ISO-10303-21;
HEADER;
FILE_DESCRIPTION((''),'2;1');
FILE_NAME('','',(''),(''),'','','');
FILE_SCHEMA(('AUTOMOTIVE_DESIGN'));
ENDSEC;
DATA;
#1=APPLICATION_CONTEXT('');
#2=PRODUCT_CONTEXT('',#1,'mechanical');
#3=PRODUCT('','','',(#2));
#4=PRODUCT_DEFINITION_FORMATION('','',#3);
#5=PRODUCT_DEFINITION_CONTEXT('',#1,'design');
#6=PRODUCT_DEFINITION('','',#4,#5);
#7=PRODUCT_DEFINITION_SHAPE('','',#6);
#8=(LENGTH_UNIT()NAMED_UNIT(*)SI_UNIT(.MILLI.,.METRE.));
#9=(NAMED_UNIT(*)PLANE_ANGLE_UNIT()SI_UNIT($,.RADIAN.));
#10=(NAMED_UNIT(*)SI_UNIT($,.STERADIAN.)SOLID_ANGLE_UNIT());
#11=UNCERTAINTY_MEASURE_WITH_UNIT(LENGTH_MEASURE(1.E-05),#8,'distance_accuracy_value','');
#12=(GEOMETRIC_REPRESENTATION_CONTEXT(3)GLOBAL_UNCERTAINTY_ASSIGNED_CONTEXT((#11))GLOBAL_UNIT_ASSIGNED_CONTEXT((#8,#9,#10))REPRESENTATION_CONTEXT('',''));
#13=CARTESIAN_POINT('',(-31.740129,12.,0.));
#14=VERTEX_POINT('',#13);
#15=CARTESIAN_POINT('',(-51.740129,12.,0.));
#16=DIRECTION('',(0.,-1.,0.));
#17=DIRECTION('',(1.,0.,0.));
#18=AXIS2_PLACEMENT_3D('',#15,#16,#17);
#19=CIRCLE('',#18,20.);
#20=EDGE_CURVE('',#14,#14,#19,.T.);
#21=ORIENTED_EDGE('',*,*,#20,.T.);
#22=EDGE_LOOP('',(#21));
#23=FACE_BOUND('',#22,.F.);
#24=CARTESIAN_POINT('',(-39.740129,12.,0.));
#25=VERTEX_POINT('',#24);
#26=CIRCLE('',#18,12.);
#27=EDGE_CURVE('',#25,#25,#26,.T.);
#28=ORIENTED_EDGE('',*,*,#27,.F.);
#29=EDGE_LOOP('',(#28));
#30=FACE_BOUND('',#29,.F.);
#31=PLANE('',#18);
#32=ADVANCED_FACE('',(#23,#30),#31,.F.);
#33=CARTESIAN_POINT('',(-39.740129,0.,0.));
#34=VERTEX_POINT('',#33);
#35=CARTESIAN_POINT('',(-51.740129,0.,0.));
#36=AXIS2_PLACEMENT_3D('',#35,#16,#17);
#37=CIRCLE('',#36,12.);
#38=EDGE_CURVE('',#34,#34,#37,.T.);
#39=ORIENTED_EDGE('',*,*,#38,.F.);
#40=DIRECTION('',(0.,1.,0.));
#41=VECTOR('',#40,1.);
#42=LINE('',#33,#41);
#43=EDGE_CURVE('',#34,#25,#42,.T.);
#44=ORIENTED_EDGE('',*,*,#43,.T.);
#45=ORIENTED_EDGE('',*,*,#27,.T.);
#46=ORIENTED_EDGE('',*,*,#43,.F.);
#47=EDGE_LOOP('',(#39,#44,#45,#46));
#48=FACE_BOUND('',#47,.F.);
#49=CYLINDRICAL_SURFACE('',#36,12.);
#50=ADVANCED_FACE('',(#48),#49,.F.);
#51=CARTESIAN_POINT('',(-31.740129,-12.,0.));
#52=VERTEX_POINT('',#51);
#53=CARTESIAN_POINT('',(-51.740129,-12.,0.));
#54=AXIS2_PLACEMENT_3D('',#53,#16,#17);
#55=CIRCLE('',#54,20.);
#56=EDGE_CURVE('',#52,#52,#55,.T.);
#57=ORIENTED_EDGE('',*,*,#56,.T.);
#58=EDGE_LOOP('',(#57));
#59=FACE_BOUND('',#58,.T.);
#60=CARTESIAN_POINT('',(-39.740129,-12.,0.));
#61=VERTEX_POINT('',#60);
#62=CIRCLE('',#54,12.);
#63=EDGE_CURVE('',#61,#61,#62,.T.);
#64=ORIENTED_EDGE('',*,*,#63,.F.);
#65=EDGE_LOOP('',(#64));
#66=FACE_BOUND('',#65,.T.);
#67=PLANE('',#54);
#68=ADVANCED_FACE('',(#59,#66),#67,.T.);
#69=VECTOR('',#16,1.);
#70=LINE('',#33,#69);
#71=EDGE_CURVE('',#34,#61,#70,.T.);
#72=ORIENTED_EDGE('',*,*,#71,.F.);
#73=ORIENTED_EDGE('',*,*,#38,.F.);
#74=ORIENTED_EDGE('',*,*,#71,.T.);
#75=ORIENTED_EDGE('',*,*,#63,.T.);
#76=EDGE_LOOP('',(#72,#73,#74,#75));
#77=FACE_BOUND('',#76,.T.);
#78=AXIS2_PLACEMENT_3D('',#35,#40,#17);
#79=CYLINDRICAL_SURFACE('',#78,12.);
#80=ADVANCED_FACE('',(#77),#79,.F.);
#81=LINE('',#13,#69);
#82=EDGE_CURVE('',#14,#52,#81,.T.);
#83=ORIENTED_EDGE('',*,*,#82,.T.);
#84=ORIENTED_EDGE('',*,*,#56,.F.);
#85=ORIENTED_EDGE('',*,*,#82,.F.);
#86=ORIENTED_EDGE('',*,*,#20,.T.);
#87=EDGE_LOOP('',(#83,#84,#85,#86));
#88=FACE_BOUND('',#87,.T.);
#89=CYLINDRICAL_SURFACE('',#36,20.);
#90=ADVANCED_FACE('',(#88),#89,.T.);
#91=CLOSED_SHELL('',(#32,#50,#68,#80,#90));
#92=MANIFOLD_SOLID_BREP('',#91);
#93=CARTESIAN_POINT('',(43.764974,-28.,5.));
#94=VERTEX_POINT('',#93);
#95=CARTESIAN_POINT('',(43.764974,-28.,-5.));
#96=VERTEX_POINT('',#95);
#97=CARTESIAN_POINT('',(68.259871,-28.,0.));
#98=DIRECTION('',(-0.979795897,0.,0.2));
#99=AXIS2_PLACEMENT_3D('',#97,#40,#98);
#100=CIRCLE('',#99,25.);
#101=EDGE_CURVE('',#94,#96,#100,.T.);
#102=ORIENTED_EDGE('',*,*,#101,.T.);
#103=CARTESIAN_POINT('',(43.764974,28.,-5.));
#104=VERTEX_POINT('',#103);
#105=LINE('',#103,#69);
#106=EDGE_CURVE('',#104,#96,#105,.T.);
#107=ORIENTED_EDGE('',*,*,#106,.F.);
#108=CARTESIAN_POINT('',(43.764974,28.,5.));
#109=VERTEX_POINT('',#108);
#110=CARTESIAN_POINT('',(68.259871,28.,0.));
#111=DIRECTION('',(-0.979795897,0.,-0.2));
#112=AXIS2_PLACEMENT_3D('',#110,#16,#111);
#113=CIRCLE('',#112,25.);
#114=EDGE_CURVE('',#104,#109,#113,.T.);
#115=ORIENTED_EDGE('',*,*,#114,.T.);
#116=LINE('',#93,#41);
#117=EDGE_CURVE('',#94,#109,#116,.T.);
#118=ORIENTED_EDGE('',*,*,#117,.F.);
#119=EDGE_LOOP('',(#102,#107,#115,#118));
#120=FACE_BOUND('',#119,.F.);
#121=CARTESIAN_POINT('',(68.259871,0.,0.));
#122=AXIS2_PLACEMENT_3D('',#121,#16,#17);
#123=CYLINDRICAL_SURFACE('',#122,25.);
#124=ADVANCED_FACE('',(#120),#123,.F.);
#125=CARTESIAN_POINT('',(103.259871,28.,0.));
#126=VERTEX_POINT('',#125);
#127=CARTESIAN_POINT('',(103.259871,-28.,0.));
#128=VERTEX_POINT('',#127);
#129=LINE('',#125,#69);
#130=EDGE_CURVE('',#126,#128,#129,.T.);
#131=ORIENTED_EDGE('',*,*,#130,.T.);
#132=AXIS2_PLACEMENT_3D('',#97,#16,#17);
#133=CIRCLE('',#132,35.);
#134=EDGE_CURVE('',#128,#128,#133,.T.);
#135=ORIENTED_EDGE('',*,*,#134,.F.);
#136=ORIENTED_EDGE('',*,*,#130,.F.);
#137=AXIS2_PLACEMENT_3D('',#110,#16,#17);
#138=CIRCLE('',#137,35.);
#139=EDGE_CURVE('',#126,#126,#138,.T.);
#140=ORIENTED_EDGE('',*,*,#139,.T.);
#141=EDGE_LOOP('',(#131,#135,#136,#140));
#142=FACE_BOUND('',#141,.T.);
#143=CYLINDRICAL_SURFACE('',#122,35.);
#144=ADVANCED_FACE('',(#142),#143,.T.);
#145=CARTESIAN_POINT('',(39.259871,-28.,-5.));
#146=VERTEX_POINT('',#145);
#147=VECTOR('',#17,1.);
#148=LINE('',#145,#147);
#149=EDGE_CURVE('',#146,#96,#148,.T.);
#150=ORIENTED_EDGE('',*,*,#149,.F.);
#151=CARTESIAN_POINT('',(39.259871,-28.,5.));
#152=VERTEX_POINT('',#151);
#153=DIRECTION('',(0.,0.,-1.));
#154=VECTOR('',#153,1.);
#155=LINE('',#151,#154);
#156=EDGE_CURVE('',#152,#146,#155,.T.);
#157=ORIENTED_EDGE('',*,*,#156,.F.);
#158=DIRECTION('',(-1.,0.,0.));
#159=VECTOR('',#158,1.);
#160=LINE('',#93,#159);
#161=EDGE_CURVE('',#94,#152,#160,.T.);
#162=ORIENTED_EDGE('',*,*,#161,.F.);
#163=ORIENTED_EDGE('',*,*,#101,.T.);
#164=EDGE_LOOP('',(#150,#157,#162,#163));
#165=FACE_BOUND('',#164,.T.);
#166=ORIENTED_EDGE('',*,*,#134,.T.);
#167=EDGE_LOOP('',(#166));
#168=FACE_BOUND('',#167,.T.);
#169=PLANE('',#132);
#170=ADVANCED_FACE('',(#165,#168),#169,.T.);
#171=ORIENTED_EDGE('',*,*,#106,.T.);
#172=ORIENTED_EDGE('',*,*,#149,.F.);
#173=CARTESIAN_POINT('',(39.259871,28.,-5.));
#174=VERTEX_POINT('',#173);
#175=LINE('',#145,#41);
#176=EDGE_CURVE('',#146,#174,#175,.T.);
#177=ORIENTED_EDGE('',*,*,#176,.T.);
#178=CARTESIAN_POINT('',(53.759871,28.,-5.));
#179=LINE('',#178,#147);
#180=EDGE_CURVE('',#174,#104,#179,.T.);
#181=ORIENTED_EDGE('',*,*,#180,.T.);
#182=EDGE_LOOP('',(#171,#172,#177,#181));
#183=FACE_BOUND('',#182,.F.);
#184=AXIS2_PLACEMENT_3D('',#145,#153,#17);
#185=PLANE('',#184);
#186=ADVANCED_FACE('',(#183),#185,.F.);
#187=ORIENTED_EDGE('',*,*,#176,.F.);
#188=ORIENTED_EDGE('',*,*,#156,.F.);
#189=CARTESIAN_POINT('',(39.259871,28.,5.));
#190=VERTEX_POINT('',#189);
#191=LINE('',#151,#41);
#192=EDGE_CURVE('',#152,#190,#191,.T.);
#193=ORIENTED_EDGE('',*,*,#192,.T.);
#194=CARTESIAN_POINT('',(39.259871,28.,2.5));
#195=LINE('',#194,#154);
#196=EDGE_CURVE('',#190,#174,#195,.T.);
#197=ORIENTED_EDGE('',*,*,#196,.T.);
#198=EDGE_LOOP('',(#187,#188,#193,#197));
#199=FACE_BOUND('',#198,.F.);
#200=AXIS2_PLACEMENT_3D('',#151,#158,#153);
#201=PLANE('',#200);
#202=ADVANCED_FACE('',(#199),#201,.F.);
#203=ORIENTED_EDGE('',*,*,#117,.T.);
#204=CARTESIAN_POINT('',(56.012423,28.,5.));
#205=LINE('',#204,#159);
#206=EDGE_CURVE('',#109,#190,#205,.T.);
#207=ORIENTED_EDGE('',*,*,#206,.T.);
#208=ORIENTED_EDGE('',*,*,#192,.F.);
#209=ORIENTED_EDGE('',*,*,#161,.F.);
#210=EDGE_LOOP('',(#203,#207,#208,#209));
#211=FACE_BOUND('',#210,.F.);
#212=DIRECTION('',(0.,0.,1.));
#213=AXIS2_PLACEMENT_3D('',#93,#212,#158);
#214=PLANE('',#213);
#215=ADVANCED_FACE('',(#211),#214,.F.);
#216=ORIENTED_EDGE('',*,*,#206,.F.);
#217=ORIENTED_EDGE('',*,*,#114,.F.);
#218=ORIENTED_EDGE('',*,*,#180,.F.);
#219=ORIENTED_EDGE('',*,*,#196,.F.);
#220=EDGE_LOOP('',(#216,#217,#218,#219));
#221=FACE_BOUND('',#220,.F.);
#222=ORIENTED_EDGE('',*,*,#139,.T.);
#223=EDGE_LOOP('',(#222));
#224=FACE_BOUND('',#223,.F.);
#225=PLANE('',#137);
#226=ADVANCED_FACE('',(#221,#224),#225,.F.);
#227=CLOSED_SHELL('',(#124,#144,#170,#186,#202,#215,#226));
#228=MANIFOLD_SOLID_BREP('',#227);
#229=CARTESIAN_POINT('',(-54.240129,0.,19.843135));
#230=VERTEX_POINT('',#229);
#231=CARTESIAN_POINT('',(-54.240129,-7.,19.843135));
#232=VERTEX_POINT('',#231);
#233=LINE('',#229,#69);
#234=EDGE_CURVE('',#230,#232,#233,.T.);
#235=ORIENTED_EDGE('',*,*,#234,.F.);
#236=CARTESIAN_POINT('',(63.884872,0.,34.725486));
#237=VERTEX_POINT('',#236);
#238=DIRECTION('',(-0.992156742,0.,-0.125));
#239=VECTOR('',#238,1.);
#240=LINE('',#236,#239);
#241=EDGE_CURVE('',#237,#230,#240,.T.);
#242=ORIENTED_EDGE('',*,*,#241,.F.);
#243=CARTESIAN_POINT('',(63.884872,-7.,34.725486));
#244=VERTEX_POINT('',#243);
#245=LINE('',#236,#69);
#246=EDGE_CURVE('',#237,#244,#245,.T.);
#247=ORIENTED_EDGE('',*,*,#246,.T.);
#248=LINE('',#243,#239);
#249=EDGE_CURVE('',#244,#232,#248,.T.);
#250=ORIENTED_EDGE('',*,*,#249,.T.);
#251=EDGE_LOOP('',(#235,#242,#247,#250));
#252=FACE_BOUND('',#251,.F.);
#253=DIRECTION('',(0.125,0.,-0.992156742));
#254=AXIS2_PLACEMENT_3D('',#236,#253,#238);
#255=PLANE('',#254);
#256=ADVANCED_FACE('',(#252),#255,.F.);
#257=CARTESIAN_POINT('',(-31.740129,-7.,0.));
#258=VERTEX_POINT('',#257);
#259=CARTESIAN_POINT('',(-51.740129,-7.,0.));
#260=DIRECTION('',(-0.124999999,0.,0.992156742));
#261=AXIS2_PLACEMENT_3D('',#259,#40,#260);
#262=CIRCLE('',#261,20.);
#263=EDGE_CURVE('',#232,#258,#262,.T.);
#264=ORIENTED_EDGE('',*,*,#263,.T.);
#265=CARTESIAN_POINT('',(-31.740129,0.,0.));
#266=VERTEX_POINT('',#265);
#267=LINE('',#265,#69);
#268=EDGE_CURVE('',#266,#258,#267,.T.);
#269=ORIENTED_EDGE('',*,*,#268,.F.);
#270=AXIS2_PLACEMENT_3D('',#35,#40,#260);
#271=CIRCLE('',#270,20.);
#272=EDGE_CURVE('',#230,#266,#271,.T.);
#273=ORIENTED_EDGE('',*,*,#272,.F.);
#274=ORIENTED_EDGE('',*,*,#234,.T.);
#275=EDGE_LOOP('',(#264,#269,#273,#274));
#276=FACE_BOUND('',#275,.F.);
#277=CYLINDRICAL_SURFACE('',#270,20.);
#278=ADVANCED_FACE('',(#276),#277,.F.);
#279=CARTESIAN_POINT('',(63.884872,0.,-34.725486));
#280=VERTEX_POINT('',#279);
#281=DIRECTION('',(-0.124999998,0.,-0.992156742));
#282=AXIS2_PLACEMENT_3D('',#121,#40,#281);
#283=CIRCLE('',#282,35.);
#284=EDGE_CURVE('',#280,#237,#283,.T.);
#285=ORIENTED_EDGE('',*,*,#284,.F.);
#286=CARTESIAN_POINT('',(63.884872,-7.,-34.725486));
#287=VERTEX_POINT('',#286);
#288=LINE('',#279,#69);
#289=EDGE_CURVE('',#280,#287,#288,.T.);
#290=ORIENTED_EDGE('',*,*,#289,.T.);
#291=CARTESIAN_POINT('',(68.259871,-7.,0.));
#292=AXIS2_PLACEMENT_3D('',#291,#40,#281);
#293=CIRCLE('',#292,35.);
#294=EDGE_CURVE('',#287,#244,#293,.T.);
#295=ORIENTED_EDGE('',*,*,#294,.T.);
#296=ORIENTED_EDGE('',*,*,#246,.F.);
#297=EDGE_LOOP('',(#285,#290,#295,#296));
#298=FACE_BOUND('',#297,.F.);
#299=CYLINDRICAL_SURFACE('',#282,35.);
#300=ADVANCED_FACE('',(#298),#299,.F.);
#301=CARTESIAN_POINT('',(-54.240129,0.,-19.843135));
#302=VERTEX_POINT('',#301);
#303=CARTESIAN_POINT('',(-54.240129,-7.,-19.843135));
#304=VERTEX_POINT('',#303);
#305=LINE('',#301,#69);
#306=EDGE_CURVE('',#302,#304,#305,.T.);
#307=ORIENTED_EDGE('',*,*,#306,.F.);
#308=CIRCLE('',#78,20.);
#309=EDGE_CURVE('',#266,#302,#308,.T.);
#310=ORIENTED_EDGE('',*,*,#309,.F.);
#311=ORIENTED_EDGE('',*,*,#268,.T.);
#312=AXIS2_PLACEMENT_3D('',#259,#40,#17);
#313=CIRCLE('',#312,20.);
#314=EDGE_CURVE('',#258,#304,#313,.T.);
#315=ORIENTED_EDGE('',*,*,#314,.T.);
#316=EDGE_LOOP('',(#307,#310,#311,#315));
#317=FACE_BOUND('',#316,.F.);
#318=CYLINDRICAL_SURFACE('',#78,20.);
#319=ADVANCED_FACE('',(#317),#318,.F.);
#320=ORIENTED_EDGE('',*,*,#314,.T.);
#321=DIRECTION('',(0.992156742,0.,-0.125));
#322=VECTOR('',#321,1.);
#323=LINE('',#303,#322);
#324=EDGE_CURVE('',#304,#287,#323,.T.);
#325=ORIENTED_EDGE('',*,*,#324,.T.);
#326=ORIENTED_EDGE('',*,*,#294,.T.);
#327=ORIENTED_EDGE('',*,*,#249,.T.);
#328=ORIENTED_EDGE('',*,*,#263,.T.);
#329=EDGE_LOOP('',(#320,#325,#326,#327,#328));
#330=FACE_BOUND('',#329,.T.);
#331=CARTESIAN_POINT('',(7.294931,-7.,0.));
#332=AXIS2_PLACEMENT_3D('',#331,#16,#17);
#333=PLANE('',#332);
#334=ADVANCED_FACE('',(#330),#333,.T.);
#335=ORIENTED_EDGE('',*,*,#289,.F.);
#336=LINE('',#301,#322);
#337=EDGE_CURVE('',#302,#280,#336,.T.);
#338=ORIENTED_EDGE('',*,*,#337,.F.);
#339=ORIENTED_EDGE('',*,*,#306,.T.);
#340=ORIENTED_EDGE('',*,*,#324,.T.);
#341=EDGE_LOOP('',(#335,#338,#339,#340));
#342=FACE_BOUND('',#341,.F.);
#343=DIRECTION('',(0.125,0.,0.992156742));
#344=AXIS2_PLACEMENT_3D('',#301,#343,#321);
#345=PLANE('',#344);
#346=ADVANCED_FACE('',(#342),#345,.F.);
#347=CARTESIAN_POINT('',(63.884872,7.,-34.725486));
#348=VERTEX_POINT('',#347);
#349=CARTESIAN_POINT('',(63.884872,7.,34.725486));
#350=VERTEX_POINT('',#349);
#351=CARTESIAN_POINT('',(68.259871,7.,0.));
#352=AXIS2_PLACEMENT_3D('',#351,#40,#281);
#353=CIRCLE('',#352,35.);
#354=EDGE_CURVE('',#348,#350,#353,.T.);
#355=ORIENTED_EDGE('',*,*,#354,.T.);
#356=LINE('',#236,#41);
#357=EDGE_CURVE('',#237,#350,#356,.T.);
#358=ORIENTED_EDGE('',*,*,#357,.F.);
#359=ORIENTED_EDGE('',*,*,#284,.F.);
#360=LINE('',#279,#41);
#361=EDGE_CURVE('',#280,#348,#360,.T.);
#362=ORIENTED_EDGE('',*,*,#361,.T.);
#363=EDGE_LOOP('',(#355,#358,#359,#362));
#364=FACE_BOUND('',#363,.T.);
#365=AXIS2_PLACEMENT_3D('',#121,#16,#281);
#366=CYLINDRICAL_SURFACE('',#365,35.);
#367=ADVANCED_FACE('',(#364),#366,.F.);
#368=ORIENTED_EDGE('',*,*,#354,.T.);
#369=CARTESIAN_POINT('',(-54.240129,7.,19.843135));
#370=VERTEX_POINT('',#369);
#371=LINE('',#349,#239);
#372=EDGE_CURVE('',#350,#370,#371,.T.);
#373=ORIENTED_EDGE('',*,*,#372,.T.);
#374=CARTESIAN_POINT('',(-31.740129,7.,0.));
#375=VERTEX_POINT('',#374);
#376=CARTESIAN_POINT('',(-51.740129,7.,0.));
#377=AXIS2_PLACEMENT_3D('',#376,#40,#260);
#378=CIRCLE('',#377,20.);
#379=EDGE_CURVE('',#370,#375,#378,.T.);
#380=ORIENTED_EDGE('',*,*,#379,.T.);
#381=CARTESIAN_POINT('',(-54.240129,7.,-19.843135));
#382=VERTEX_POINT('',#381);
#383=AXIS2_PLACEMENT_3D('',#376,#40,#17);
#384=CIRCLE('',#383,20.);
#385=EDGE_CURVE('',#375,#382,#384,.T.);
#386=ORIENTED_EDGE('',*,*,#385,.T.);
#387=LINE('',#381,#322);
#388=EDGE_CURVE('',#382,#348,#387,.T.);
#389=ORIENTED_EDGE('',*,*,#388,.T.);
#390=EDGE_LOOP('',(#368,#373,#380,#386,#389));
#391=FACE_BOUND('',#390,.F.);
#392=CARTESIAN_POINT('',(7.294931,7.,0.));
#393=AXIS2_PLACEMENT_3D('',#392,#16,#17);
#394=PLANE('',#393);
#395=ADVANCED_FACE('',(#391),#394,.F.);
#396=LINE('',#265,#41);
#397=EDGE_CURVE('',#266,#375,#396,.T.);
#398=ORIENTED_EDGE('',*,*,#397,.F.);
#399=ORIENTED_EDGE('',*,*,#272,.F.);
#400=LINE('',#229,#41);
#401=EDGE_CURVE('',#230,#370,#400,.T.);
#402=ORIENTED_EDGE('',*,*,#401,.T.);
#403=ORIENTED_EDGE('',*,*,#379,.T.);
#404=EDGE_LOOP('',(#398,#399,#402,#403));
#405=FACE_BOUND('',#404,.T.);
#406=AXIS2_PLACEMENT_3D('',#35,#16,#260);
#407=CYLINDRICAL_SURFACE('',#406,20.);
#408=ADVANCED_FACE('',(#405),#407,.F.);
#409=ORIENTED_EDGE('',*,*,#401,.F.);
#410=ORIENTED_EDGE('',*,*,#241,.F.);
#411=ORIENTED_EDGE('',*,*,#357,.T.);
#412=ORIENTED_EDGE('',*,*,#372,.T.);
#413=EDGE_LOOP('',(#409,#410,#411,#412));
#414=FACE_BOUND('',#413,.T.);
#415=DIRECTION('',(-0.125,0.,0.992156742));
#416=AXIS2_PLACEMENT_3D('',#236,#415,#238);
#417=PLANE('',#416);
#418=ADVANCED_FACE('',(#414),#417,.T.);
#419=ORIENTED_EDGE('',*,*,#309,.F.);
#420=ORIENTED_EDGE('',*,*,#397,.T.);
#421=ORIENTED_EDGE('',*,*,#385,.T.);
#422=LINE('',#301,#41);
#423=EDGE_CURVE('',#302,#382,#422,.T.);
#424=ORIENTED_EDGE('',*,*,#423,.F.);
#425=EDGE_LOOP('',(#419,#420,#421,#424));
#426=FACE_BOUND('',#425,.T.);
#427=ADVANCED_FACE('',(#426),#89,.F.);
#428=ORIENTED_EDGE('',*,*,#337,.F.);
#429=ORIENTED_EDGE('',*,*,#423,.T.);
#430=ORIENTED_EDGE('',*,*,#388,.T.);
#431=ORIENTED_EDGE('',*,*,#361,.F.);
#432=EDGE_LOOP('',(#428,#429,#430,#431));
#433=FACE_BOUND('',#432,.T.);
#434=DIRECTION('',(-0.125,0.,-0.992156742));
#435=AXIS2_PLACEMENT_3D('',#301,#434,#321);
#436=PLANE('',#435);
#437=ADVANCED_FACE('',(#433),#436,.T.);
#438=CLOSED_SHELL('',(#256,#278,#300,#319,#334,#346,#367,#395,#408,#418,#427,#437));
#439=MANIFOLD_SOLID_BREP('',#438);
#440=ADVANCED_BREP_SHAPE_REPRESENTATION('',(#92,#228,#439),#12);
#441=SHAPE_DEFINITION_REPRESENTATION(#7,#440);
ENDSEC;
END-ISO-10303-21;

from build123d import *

# Parameters (mm, degrees)
F0_R          = 20
F0_R_2        = 12
F1_DEPTH      = 12
F1_DEPTH_BACK = 12
F0_R_3        = 35
F0_R_4        = 25
F2_DEPTH      = 28
F2_DEPTH_BACK = 28
F4_DEPTH      = 69.4
F6_DEPTH      = 7
F6_DEPTH_BACK = 7


with BuildPart() as f1:
    # F0 (on Front) → F1 (new body, two sides)
    with BuildSketch(Plane.XZ) as f1_sk:
        with Locations((-51.740128547, 0)):
            Circle(F0_R)
        with Locations((-51.740128547, 0)):
            Circle(F0_R_2, mode=Mode.SUBTRACT)
    extrude(amount=F1_DEPTH)
    extrude(f1_sk.sketch, amount=-F1_DEPTH_BACK)


with BuildPart() as f2:
    # F0 (on Front) → F2 (new body, two sides)
    with BuildSketch(Plane.XZ) as f2_sk:
        with Locations((68.259871453, 0)):
            Circle(F0_R_3)
        with Locations((68.259871453, 0)):
            Circle(F0_R_4, mode=Mode.SUBTRACT)
    extrude(amount=F2_DEPTH)
    extrude(f2_sk.sketch, amount=-F2_DEPTH_BACK)

    # F3 (on face) → F4 (cut)
    with BuildSketch(Plane.XZ.offset(28)):
        with BuildLine():
            Line((39.259871453, 0), (43.259871453, 0))
            ThreePointArc((43.259871453, 0), (43.3864676279, 2.5127240501), (43.7649740252, 5))
            Line((43.7649740252, 5), (39.259871453, 5))
            Line((39.259871453, 5), (39.259871453, 0))
        make_face()
        with BuildLine():
            ThreePointArc((43.7649740252, -5), (43.3864676279, -2.5127240501), (43.259871453, 0))
            Line((43.259871453, 0), (39.259871453, 0))
            Line((39.259871453, 0), (39.259871453, -5))
            Line((39.259871453, -5), (43.7649740252, -5))
        make_face()
    extrude(amount=-F4_DEPTH, mode=Mode.SUBTRACT)


with BuildPart() as f6:
    # F5 (on Front) → F6 (new body, two sides)
    with BuildSketch(Plane.XZ) as f6_sk:
        with BuildLine():
            ThreePointArc((-31.740128547, 0), (-38.5113720324, -15.000000036), (-54.240128655, -19.8431348194))
            Line((-54.240128655, -19.8431348194), (63.8848715238, -34.7254859666))
            ThreePointArc((63.8848715238, -34.7254859666), (33.259871453, 1.118e-07), (63.8848717456, 34.7254859946))
            Line((63.8848717456, 34.7254859946), (-54.2401285338, 19.8431348346))
            ThreePointArc((-54.2401285338, 19.8431348346), (-38.5113719867, 14.9999999956), (-31.740128547, 0))
        make_face()
    extrude(amount=F6_DEPTH)
    extrude(f6_sk.sketch, amount=-F6_DEPTH_BACK)


solid = Compound([f1.part, f2.part, f6.part])
